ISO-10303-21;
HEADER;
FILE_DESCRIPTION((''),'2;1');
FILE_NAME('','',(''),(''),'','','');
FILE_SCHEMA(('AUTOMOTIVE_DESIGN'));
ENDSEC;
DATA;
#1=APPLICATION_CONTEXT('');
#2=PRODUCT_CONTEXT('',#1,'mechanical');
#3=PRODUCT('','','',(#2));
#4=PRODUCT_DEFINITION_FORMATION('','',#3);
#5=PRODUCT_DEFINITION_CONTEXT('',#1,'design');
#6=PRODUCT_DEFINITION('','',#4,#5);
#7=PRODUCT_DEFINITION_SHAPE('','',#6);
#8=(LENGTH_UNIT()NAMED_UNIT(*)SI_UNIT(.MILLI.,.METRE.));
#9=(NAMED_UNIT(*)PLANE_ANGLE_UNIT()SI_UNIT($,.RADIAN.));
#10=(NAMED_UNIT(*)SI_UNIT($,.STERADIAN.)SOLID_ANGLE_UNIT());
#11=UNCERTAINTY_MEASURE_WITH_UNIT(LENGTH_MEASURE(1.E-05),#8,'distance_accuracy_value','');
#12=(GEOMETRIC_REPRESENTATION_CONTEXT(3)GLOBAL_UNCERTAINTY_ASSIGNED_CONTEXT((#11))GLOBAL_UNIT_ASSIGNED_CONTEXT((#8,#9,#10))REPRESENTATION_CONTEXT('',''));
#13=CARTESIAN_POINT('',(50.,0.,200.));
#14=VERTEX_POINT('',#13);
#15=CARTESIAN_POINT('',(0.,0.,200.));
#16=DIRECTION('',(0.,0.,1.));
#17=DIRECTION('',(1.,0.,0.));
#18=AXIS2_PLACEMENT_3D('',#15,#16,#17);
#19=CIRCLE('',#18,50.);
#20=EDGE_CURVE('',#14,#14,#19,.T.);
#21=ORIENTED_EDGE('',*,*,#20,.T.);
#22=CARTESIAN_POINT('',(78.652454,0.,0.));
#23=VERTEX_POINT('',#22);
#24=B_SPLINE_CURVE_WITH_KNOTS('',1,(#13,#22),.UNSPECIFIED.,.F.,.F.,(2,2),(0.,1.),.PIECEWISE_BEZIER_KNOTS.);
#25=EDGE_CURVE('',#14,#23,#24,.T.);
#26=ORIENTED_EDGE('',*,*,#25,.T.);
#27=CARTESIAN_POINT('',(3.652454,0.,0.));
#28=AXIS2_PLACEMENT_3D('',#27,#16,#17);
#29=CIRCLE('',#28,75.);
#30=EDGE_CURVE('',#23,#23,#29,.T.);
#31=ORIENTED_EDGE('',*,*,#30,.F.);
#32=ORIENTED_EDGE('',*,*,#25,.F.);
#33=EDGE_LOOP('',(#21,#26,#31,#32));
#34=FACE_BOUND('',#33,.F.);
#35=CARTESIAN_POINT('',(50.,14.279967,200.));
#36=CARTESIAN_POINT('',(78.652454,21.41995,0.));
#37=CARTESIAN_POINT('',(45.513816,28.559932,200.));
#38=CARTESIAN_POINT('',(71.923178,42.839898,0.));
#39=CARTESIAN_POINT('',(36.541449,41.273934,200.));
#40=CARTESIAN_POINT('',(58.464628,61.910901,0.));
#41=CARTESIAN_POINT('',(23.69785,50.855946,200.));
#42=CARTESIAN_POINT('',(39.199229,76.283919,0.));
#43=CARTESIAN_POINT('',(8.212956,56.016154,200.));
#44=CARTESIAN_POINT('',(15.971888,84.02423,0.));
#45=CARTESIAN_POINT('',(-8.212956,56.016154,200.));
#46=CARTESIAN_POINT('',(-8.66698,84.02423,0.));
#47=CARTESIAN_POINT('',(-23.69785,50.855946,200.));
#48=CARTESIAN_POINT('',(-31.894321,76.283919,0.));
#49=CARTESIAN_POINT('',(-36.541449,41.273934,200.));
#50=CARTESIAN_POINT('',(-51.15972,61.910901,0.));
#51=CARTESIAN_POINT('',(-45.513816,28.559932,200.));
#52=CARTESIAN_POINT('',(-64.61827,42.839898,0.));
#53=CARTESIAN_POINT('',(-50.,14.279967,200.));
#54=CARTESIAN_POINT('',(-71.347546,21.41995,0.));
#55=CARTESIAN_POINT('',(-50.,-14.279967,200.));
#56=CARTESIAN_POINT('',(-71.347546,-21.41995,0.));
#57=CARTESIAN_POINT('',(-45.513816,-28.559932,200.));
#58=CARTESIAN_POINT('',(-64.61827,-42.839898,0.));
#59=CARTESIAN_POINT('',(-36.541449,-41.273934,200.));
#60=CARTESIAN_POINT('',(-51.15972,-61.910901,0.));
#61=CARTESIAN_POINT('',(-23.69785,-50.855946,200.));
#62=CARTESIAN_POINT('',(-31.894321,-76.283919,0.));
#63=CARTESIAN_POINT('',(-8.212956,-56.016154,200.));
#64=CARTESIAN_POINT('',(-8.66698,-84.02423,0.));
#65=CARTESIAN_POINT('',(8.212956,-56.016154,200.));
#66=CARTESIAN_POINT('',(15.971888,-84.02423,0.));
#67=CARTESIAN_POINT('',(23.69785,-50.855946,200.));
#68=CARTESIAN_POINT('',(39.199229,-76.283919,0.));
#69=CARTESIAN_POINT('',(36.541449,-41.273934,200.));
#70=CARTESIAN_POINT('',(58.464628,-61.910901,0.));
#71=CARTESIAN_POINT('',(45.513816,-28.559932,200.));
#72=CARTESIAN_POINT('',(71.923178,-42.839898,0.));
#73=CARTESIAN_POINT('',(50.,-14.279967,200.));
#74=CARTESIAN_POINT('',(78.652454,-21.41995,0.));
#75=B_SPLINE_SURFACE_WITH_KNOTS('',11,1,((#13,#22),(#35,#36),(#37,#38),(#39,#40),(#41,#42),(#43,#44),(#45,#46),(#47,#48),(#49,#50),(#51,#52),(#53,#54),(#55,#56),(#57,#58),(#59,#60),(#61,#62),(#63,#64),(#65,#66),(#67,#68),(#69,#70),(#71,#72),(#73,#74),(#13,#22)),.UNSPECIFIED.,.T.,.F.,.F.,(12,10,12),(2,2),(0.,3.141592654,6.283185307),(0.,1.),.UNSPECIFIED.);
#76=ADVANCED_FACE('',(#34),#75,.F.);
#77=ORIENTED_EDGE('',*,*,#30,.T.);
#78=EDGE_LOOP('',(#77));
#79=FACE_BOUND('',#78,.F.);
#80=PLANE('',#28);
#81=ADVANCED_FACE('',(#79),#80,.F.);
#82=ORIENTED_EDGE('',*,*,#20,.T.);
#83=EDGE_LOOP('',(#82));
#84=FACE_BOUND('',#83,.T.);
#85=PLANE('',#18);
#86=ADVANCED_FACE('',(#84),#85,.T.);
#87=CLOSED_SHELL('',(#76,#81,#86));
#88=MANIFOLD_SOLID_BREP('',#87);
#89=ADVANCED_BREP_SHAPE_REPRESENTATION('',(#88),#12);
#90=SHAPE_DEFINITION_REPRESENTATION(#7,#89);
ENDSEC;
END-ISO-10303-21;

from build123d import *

# Parameters (mm, degrees)
F2_R = 50
F0_R = 75


with BuildPart() as f3:
    # F2 (on offset) → F3 section 0
    with BuildSketch(Plane.XY.offset(200)):
        Circle(F2_R)
    # F0 (on Top) → F3 section 1
    with BuildSketch(Plane.XY):
        with Locations((3.652454, 0)):
            Circle(F0_R)
    loft()


solid = f3.part
